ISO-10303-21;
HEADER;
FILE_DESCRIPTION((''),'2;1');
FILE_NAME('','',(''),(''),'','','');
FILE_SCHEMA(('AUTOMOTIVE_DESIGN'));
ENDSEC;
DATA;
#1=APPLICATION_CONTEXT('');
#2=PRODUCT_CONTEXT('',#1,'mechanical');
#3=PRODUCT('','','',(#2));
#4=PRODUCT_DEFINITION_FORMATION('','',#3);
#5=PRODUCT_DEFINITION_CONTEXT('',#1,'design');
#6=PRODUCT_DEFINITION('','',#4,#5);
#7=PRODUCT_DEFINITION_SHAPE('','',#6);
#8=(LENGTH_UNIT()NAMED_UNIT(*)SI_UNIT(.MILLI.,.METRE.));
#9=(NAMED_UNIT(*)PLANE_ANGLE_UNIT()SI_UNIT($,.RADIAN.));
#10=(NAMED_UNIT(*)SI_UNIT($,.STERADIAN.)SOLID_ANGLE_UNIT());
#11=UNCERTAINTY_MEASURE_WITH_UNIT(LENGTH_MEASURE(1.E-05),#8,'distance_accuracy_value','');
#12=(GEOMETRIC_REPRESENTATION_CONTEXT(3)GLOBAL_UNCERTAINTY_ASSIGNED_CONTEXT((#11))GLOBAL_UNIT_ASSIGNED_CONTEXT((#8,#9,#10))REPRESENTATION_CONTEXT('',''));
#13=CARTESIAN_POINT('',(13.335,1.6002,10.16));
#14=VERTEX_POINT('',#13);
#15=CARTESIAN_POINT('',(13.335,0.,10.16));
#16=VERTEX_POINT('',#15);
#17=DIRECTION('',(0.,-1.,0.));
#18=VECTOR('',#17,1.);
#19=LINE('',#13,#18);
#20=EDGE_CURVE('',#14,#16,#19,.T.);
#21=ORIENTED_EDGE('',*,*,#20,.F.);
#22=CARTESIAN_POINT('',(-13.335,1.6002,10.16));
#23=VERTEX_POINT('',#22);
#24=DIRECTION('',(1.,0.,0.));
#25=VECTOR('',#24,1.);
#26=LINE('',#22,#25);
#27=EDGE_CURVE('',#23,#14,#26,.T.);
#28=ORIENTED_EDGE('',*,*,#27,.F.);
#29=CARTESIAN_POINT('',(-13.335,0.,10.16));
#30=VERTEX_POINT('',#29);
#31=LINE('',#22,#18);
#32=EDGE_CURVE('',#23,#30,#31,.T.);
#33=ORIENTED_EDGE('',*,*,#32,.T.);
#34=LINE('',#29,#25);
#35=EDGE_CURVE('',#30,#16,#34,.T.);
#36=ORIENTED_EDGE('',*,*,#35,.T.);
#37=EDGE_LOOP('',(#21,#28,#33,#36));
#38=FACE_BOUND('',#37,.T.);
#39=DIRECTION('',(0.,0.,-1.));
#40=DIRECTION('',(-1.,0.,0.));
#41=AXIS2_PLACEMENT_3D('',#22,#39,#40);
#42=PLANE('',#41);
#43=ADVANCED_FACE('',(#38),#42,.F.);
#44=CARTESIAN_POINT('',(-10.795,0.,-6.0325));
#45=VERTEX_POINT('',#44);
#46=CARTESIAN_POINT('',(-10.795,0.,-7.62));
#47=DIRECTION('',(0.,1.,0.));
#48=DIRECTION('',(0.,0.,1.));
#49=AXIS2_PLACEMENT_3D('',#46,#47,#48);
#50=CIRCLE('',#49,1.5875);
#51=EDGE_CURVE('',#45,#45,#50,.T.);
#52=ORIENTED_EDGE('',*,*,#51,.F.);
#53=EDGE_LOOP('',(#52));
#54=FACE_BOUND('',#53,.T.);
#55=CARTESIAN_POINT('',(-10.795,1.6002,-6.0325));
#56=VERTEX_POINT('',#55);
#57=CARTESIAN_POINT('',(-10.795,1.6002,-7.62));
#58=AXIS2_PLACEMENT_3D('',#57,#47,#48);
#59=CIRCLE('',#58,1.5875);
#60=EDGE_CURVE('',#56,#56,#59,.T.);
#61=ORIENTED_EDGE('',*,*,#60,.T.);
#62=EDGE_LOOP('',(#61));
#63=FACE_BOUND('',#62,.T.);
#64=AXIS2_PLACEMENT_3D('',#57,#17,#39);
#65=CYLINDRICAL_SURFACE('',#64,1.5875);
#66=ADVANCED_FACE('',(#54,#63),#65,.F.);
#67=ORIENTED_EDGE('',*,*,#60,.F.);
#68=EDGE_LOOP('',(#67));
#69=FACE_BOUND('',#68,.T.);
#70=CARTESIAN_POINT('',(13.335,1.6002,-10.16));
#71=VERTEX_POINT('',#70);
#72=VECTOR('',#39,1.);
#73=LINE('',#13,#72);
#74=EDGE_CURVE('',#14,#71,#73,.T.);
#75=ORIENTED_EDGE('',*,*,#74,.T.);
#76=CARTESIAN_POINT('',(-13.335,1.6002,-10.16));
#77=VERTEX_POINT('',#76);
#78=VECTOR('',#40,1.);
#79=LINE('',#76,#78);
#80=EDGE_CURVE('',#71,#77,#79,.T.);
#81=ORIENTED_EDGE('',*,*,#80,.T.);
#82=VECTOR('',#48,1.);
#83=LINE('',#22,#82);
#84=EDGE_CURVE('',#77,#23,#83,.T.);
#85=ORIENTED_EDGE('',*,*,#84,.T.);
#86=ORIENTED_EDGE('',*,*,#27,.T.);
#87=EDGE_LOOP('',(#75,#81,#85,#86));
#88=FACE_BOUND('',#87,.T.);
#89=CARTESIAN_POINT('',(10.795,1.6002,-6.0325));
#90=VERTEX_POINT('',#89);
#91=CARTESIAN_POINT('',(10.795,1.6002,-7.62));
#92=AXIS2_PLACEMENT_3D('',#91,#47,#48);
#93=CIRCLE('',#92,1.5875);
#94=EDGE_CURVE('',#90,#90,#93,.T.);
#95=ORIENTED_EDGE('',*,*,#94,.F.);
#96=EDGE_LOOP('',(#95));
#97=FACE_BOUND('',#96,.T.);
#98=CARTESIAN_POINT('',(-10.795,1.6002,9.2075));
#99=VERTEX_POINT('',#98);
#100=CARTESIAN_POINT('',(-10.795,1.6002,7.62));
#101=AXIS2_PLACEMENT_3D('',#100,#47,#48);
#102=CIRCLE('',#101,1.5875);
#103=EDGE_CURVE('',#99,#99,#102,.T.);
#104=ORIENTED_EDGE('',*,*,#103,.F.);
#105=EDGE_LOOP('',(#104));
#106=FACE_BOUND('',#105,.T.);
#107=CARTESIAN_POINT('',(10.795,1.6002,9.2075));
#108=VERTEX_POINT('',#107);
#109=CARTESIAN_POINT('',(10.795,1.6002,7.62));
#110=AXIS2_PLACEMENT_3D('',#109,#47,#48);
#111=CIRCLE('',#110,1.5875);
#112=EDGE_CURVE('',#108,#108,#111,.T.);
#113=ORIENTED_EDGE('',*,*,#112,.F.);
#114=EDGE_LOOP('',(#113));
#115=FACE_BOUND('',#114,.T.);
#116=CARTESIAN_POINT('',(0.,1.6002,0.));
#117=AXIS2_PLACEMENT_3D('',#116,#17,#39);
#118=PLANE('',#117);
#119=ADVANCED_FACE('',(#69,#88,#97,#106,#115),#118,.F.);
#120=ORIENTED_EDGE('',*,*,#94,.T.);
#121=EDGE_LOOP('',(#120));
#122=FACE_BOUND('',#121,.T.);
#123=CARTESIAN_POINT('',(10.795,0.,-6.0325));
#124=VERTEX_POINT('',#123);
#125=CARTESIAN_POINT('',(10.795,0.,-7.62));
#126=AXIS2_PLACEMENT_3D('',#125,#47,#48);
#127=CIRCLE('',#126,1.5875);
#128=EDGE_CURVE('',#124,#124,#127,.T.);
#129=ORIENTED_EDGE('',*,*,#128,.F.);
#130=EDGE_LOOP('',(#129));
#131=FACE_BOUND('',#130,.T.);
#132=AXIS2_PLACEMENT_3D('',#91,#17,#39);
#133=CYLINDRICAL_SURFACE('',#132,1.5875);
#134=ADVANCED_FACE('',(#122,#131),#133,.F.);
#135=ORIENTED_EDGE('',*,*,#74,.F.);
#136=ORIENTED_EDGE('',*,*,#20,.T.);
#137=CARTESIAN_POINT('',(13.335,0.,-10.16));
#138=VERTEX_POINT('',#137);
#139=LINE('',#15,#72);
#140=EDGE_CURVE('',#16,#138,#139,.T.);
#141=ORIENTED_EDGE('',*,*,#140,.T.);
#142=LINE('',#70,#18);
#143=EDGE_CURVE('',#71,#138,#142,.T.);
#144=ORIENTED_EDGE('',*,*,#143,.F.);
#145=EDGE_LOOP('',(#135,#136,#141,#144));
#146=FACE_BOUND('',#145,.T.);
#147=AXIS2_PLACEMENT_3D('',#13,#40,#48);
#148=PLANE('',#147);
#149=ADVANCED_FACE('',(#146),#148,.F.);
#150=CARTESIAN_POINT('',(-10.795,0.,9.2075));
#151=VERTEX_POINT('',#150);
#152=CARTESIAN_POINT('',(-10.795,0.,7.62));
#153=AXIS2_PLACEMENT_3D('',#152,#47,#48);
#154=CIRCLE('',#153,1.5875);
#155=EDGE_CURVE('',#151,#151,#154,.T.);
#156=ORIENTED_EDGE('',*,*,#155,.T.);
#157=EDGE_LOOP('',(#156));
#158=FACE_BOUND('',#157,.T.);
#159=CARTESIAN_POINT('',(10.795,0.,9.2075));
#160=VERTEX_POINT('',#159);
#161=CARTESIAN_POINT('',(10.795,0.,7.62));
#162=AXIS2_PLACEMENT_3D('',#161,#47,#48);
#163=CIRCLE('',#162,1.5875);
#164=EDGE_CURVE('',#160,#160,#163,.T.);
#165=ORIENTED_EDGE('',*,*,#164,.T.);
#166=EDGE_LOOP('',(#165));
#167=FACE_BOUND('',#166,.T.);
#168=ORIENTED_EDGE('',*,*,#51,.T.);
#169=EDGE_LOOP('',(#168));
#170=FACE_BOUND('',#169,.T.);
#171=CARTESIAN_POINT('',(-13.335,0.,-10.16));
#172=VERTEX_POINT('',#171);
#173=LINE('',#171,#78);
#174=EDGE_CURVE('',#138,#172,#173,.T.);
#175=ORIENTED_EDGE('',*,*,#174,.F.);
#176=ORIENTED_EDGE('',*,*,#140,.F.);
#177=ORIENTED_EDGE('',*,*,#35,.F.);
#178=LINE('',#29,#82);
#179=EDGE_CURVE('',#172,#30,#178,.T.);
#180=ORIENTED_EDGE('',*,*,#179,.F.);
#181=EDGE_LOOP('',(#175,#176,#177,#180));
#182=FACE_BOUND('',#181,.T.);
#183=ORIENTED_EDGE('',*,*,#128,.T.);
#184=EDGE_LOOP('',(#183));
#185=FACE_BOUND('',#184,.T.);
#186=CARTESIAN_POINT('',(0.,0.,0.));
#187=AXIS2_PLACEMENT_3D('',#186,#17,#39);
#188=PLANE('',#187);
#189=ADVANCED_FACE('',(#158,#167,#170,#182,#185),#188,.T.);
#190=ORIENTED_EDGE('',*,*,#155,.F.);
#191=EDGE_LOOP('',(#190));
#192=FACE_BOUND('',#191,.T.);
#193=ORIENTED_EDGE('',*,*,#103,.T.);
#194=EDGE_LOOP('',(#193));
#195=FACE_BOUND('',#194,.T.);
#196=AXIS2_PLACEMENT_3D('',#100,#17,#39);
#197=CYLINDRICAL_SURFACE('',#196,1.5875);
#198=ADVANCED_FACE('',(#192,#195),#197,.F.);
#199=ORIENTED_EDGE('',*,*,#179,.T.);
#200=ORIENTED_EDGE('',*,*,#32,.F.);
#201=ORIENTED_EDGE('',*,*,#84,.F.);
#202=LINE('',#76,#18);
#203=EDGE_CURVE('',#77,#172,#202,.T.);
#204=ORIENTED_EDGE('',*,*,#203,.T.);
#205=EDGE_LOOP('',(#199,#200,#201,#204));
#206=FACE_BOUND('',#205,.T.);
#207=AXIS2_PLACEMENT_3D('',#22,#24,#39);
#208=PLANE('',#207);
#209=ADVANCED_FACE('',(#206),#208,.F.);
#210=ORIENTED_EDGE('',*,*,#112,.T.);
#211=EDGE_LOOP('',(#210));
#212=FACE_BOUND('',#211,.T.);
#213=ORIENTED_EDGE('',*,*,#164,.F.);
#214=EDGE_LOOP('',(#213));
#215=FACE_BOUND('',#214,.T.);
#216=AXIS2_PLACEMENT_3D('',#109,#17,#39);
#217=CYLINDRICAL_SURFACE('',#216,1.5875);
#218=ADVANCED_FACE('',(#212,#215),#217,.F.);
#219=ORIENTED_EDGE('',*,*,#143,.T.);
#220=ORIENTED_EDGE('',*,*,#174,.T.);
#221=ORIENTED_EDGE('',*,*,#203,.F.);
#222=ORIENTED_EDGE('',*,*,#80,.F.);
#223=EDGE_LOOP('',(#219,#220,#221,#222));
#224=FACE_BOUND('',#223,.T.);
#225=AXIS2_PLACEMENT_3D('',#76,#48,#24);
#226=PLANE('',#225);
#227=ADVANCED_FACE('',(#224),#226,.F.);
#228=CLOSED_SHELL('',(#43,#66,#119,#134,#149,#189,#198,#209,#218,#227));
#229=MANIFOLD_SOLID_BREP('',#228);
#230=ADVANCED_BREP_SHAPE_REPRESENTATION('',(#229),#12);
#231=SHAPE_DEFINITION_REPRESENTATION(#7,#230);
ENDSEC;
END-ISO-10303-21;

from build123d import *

# Parameters (mm, degrees)
SKETCH1_W           = 26.67
SKETCH1_H           = 20.32
SKETCH1_R           = 1.5875
BOSS_EXTRUDE1_DEPTH = 1.6002


with BuildPart() as part:
    # Sketch1 → Boss-Extrude1 (new body)
    with BuildSketch(Plane(origin=(0, 0, 0), x_dir=(1, 0, 0), z_dir=(0, 1, 0))):
        Rectangle(SKETCH1_W, SKETCH1_H)
        with Locations(Location((-10.795, 7.62, 0), (0, 0, 270))):
            Circle(SKETCH1_R, mode=Mode.SUBTRACT)
        with Locations(Location((10.795, 7.62, 0), (0, 0, 270))):
            Circle(SKETCH1_R, mode=Mode.SUBTRACT)
        with Locations(Location((10.795, -7.62, 0), (0, 0, 270))):
            Circle(SKETCH1_R, mode=Mode.SUBTRACT)
        with Locations(Location((-10.795, -7.62, 0), (0, 0, 270))):
            Circle(SKETCH1_R, mode=Mode.SUBTRACT)
    extrude(amount=BOSS_EXTRUDE1_DEPTH)


solid = part.part
